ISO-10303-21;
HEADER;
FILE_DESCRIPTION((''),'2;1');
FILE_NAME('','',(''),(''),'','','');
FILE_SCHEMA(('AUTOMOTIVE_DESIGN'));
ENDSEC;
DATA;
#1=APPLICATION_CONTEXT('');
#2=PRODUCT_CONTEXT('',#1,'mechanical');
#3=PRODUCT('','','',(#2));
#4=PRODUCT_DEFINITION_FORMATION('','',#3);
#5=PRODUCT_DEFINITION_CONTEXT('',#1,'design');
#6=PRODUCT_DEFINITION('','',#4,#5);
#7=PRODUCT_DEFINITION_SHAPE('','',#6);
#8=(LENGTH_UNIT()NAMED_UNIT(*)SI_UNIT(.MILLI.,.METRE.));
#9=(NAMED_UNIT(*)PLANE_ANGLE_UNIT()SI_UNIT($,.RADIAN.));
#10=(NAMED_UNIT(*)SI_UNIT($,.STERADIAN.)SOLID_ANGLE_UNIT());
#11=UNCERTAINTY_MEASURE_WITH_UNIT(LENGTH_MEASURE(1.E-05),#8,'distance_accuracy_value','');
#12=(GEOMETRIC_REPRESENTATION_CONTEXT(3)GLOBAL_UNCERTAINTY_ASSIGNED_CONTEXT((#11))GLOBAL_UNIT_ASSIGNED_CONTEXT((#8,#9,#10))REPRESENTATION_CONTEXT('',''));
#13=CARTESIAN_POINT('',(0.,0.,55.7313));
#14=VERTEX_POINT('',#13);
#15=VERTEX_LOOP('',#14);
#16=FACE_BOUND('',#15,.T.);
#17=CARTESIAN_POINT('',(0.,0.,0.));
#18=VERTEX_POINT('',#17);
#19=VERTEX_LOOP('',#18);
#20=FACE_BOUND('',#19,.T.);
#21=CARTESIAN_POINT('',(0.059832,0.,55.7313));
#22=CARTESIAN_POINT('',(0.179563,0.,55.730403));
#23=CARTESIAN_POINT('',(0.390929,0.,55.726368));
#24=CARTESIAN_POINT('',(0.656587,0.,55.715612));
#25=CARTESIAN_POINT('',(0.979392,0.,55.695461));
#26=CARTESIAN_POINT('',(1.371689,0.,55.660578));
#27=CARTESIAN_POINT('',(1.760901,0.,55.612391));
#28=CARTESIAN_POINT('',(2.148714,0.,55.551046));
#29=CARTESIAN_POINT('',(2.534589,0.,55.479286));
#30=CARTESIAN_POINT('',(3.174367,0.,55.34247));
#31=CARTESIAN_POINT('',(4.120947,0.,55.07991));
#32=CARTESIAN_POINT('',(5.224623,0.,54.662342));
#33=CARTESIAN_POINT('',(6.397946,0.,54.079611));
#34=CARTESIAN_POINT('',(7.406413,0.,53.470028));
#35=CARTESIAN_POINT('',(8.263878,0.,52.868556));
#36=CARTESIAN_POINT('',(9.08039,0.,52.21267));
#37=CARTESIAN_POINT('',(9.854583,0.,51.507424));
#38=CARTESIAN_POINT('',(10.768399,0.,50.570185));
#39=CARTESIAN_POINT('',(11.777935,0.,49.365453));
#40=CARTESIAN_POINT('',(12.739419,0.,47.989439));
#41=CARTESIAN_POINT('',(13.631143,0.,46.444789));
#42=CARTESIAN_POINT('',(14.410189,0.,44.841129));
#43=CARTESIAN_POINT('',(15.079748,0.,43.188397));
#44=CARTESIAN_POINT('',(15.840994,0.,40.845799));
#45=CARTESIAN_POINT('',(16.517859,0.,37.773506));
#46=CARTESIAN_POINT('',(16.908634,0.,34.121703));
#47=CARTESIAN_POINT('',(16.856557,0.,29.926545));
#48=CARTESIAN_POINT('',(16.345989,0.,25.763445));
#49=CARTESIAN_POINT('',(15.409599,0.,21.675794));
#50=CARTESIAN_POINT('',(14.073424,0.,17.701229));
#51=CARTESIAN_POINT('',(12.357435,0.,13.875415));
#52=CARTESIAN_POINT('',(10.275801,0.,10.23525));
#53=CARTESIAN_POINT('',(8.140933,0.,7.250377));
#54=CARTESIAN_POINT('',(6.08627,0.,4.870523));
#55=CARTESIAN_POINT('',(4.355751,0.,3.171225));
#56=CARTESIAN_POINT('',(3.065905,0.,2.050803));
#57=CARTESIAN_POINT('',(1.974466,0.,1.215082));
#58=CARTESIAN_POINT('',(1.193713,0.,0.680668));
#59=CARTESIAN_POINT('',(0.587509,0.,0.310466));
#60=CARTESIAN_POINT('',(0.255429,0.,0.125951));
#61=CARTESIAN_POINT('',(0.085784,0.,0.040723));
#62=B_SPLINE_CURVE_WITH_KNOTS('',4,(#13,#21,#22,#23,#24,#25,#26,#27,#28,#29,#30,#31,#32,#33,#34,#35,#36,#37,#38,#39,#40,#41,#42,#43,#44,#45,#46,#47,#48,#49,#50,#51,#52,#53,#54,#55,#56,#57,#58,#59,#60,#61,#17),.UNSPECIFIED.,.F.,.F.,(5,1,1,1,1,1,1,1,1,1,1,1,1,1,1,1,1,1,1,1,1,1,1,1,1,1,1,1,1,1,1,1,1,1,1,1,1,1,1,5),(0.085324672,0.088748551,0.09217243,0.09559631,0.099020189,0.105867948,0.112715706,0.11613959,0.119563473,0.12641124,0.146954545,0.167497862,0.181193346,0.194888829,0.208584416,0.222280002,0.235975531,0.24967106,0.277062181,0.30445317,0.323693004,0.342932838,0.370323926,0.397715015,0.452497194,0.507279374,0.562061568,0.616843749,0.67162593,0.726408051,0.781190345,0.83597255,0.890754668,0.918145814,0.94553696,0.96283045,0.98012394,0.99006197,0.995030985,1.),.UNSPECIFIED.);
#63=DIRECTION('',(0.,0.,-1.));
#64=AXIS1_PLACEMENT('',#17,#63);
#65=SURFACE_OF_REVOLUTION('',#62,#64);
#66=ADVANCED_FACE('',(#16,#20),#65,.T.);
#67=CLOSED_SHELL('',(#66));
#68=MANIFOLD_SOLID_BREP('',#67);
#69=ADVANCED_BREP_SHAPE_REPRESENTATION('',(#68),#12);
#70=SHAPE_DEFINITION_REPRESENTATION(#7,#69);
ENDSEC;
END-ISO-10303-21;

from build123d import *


with BuildPart() as part:
    # Sketch1 → Revolve1 (revolve)
    with BuildSketch(Plane(origin=(0, 0, 0), x_dir=(1, 0, 0), z_dir=(0, 1, 0))):
        with BuildLine():
            Line((0, -55.731300068), (0, 0))
            add(Edge.make_bspline(
                [(0, -55.731300068), (0.059831898, -55.731300068), (0.17956273, -55.730403351), (0.39092862, -55.726368125), (0.65658672, -55.715612466), (0.979392235, -55.695461035), (1.371688702, -55.660577821), (1.760901188, -55.612391123), (2.14871411, -55.551045591), (2.53458865, -55.47928623), (3.174367164, -55.342470485), (4.120946922, -55.07990988), (5.224622881, -54.662341545), (6.397945785, -54.079611454), (7.406412885, -53.470028485), (8.263878462, -52.868555916), (9.080390318, -52.212670057), (9.854582902, -51.507423809), (10.76839924, -50.570185269), (11.777934798, -49.365452794), (12.739418619, -47.989439071), (13.631142909, -46.444788513), (14.410188565, -44.841128778), (15.079747926, -43.188397385), (15.840993952, -40.845798591), (16.517859331, -37.773506207), (16.908634054, -34.121702679), (16.856556989, -29.926544819), (16.345988652, -25.763445436), (15.409598638, -21.675793824), (14.07342411, -17.701228914), (12.357435247, -13.875415386), (10.275800584, -10.235249962), (8.140932852, -7.250376992), (6.086269543, -4.870523365), (4.355751101, -3.171224704), (3.065904541, -2.050803142), (1.974466229, -1.215082492), (1.193712961, -0.680668396), (0.587508961, -0.310465881), (0.255429092, -0.125951122), (0.08578369, -0.04072326), (0, 0)],
                knots=[0.085324672, 0.085324672, 0.085324672, 0.085324672, 0.085324672, 0.088748551, 0.09217243, 0.09559631, 0.099020189, 0.105867948, 0.112715706, 0.11613959, 0.119563473, 0.12641124, 0.146954545, 0.167497862, 0.181193346, 0.194888829, 0.208584416, 0.222280002, 0.235975531, 0.24967106, 0.277062181, 0.30445317, 0.323693004, 0.342932838, 0.370323926, 0.397715015, 0.452497194, 0.507279374, 0.562061568, 0.616843749, 0.67162593, 0.726408051, 0.781190345, 0.83597255, 0.890754668, 0.918145814, 0.94553696, 0.96283045, 0.98012394, 0.99006197, 0.995030985, 1, 1, 1, 1, 1], degree=4))
        make_face()
    revolve(axis=Axis((0, 0, 0), (0, 0, 1)))


solid = part.part
